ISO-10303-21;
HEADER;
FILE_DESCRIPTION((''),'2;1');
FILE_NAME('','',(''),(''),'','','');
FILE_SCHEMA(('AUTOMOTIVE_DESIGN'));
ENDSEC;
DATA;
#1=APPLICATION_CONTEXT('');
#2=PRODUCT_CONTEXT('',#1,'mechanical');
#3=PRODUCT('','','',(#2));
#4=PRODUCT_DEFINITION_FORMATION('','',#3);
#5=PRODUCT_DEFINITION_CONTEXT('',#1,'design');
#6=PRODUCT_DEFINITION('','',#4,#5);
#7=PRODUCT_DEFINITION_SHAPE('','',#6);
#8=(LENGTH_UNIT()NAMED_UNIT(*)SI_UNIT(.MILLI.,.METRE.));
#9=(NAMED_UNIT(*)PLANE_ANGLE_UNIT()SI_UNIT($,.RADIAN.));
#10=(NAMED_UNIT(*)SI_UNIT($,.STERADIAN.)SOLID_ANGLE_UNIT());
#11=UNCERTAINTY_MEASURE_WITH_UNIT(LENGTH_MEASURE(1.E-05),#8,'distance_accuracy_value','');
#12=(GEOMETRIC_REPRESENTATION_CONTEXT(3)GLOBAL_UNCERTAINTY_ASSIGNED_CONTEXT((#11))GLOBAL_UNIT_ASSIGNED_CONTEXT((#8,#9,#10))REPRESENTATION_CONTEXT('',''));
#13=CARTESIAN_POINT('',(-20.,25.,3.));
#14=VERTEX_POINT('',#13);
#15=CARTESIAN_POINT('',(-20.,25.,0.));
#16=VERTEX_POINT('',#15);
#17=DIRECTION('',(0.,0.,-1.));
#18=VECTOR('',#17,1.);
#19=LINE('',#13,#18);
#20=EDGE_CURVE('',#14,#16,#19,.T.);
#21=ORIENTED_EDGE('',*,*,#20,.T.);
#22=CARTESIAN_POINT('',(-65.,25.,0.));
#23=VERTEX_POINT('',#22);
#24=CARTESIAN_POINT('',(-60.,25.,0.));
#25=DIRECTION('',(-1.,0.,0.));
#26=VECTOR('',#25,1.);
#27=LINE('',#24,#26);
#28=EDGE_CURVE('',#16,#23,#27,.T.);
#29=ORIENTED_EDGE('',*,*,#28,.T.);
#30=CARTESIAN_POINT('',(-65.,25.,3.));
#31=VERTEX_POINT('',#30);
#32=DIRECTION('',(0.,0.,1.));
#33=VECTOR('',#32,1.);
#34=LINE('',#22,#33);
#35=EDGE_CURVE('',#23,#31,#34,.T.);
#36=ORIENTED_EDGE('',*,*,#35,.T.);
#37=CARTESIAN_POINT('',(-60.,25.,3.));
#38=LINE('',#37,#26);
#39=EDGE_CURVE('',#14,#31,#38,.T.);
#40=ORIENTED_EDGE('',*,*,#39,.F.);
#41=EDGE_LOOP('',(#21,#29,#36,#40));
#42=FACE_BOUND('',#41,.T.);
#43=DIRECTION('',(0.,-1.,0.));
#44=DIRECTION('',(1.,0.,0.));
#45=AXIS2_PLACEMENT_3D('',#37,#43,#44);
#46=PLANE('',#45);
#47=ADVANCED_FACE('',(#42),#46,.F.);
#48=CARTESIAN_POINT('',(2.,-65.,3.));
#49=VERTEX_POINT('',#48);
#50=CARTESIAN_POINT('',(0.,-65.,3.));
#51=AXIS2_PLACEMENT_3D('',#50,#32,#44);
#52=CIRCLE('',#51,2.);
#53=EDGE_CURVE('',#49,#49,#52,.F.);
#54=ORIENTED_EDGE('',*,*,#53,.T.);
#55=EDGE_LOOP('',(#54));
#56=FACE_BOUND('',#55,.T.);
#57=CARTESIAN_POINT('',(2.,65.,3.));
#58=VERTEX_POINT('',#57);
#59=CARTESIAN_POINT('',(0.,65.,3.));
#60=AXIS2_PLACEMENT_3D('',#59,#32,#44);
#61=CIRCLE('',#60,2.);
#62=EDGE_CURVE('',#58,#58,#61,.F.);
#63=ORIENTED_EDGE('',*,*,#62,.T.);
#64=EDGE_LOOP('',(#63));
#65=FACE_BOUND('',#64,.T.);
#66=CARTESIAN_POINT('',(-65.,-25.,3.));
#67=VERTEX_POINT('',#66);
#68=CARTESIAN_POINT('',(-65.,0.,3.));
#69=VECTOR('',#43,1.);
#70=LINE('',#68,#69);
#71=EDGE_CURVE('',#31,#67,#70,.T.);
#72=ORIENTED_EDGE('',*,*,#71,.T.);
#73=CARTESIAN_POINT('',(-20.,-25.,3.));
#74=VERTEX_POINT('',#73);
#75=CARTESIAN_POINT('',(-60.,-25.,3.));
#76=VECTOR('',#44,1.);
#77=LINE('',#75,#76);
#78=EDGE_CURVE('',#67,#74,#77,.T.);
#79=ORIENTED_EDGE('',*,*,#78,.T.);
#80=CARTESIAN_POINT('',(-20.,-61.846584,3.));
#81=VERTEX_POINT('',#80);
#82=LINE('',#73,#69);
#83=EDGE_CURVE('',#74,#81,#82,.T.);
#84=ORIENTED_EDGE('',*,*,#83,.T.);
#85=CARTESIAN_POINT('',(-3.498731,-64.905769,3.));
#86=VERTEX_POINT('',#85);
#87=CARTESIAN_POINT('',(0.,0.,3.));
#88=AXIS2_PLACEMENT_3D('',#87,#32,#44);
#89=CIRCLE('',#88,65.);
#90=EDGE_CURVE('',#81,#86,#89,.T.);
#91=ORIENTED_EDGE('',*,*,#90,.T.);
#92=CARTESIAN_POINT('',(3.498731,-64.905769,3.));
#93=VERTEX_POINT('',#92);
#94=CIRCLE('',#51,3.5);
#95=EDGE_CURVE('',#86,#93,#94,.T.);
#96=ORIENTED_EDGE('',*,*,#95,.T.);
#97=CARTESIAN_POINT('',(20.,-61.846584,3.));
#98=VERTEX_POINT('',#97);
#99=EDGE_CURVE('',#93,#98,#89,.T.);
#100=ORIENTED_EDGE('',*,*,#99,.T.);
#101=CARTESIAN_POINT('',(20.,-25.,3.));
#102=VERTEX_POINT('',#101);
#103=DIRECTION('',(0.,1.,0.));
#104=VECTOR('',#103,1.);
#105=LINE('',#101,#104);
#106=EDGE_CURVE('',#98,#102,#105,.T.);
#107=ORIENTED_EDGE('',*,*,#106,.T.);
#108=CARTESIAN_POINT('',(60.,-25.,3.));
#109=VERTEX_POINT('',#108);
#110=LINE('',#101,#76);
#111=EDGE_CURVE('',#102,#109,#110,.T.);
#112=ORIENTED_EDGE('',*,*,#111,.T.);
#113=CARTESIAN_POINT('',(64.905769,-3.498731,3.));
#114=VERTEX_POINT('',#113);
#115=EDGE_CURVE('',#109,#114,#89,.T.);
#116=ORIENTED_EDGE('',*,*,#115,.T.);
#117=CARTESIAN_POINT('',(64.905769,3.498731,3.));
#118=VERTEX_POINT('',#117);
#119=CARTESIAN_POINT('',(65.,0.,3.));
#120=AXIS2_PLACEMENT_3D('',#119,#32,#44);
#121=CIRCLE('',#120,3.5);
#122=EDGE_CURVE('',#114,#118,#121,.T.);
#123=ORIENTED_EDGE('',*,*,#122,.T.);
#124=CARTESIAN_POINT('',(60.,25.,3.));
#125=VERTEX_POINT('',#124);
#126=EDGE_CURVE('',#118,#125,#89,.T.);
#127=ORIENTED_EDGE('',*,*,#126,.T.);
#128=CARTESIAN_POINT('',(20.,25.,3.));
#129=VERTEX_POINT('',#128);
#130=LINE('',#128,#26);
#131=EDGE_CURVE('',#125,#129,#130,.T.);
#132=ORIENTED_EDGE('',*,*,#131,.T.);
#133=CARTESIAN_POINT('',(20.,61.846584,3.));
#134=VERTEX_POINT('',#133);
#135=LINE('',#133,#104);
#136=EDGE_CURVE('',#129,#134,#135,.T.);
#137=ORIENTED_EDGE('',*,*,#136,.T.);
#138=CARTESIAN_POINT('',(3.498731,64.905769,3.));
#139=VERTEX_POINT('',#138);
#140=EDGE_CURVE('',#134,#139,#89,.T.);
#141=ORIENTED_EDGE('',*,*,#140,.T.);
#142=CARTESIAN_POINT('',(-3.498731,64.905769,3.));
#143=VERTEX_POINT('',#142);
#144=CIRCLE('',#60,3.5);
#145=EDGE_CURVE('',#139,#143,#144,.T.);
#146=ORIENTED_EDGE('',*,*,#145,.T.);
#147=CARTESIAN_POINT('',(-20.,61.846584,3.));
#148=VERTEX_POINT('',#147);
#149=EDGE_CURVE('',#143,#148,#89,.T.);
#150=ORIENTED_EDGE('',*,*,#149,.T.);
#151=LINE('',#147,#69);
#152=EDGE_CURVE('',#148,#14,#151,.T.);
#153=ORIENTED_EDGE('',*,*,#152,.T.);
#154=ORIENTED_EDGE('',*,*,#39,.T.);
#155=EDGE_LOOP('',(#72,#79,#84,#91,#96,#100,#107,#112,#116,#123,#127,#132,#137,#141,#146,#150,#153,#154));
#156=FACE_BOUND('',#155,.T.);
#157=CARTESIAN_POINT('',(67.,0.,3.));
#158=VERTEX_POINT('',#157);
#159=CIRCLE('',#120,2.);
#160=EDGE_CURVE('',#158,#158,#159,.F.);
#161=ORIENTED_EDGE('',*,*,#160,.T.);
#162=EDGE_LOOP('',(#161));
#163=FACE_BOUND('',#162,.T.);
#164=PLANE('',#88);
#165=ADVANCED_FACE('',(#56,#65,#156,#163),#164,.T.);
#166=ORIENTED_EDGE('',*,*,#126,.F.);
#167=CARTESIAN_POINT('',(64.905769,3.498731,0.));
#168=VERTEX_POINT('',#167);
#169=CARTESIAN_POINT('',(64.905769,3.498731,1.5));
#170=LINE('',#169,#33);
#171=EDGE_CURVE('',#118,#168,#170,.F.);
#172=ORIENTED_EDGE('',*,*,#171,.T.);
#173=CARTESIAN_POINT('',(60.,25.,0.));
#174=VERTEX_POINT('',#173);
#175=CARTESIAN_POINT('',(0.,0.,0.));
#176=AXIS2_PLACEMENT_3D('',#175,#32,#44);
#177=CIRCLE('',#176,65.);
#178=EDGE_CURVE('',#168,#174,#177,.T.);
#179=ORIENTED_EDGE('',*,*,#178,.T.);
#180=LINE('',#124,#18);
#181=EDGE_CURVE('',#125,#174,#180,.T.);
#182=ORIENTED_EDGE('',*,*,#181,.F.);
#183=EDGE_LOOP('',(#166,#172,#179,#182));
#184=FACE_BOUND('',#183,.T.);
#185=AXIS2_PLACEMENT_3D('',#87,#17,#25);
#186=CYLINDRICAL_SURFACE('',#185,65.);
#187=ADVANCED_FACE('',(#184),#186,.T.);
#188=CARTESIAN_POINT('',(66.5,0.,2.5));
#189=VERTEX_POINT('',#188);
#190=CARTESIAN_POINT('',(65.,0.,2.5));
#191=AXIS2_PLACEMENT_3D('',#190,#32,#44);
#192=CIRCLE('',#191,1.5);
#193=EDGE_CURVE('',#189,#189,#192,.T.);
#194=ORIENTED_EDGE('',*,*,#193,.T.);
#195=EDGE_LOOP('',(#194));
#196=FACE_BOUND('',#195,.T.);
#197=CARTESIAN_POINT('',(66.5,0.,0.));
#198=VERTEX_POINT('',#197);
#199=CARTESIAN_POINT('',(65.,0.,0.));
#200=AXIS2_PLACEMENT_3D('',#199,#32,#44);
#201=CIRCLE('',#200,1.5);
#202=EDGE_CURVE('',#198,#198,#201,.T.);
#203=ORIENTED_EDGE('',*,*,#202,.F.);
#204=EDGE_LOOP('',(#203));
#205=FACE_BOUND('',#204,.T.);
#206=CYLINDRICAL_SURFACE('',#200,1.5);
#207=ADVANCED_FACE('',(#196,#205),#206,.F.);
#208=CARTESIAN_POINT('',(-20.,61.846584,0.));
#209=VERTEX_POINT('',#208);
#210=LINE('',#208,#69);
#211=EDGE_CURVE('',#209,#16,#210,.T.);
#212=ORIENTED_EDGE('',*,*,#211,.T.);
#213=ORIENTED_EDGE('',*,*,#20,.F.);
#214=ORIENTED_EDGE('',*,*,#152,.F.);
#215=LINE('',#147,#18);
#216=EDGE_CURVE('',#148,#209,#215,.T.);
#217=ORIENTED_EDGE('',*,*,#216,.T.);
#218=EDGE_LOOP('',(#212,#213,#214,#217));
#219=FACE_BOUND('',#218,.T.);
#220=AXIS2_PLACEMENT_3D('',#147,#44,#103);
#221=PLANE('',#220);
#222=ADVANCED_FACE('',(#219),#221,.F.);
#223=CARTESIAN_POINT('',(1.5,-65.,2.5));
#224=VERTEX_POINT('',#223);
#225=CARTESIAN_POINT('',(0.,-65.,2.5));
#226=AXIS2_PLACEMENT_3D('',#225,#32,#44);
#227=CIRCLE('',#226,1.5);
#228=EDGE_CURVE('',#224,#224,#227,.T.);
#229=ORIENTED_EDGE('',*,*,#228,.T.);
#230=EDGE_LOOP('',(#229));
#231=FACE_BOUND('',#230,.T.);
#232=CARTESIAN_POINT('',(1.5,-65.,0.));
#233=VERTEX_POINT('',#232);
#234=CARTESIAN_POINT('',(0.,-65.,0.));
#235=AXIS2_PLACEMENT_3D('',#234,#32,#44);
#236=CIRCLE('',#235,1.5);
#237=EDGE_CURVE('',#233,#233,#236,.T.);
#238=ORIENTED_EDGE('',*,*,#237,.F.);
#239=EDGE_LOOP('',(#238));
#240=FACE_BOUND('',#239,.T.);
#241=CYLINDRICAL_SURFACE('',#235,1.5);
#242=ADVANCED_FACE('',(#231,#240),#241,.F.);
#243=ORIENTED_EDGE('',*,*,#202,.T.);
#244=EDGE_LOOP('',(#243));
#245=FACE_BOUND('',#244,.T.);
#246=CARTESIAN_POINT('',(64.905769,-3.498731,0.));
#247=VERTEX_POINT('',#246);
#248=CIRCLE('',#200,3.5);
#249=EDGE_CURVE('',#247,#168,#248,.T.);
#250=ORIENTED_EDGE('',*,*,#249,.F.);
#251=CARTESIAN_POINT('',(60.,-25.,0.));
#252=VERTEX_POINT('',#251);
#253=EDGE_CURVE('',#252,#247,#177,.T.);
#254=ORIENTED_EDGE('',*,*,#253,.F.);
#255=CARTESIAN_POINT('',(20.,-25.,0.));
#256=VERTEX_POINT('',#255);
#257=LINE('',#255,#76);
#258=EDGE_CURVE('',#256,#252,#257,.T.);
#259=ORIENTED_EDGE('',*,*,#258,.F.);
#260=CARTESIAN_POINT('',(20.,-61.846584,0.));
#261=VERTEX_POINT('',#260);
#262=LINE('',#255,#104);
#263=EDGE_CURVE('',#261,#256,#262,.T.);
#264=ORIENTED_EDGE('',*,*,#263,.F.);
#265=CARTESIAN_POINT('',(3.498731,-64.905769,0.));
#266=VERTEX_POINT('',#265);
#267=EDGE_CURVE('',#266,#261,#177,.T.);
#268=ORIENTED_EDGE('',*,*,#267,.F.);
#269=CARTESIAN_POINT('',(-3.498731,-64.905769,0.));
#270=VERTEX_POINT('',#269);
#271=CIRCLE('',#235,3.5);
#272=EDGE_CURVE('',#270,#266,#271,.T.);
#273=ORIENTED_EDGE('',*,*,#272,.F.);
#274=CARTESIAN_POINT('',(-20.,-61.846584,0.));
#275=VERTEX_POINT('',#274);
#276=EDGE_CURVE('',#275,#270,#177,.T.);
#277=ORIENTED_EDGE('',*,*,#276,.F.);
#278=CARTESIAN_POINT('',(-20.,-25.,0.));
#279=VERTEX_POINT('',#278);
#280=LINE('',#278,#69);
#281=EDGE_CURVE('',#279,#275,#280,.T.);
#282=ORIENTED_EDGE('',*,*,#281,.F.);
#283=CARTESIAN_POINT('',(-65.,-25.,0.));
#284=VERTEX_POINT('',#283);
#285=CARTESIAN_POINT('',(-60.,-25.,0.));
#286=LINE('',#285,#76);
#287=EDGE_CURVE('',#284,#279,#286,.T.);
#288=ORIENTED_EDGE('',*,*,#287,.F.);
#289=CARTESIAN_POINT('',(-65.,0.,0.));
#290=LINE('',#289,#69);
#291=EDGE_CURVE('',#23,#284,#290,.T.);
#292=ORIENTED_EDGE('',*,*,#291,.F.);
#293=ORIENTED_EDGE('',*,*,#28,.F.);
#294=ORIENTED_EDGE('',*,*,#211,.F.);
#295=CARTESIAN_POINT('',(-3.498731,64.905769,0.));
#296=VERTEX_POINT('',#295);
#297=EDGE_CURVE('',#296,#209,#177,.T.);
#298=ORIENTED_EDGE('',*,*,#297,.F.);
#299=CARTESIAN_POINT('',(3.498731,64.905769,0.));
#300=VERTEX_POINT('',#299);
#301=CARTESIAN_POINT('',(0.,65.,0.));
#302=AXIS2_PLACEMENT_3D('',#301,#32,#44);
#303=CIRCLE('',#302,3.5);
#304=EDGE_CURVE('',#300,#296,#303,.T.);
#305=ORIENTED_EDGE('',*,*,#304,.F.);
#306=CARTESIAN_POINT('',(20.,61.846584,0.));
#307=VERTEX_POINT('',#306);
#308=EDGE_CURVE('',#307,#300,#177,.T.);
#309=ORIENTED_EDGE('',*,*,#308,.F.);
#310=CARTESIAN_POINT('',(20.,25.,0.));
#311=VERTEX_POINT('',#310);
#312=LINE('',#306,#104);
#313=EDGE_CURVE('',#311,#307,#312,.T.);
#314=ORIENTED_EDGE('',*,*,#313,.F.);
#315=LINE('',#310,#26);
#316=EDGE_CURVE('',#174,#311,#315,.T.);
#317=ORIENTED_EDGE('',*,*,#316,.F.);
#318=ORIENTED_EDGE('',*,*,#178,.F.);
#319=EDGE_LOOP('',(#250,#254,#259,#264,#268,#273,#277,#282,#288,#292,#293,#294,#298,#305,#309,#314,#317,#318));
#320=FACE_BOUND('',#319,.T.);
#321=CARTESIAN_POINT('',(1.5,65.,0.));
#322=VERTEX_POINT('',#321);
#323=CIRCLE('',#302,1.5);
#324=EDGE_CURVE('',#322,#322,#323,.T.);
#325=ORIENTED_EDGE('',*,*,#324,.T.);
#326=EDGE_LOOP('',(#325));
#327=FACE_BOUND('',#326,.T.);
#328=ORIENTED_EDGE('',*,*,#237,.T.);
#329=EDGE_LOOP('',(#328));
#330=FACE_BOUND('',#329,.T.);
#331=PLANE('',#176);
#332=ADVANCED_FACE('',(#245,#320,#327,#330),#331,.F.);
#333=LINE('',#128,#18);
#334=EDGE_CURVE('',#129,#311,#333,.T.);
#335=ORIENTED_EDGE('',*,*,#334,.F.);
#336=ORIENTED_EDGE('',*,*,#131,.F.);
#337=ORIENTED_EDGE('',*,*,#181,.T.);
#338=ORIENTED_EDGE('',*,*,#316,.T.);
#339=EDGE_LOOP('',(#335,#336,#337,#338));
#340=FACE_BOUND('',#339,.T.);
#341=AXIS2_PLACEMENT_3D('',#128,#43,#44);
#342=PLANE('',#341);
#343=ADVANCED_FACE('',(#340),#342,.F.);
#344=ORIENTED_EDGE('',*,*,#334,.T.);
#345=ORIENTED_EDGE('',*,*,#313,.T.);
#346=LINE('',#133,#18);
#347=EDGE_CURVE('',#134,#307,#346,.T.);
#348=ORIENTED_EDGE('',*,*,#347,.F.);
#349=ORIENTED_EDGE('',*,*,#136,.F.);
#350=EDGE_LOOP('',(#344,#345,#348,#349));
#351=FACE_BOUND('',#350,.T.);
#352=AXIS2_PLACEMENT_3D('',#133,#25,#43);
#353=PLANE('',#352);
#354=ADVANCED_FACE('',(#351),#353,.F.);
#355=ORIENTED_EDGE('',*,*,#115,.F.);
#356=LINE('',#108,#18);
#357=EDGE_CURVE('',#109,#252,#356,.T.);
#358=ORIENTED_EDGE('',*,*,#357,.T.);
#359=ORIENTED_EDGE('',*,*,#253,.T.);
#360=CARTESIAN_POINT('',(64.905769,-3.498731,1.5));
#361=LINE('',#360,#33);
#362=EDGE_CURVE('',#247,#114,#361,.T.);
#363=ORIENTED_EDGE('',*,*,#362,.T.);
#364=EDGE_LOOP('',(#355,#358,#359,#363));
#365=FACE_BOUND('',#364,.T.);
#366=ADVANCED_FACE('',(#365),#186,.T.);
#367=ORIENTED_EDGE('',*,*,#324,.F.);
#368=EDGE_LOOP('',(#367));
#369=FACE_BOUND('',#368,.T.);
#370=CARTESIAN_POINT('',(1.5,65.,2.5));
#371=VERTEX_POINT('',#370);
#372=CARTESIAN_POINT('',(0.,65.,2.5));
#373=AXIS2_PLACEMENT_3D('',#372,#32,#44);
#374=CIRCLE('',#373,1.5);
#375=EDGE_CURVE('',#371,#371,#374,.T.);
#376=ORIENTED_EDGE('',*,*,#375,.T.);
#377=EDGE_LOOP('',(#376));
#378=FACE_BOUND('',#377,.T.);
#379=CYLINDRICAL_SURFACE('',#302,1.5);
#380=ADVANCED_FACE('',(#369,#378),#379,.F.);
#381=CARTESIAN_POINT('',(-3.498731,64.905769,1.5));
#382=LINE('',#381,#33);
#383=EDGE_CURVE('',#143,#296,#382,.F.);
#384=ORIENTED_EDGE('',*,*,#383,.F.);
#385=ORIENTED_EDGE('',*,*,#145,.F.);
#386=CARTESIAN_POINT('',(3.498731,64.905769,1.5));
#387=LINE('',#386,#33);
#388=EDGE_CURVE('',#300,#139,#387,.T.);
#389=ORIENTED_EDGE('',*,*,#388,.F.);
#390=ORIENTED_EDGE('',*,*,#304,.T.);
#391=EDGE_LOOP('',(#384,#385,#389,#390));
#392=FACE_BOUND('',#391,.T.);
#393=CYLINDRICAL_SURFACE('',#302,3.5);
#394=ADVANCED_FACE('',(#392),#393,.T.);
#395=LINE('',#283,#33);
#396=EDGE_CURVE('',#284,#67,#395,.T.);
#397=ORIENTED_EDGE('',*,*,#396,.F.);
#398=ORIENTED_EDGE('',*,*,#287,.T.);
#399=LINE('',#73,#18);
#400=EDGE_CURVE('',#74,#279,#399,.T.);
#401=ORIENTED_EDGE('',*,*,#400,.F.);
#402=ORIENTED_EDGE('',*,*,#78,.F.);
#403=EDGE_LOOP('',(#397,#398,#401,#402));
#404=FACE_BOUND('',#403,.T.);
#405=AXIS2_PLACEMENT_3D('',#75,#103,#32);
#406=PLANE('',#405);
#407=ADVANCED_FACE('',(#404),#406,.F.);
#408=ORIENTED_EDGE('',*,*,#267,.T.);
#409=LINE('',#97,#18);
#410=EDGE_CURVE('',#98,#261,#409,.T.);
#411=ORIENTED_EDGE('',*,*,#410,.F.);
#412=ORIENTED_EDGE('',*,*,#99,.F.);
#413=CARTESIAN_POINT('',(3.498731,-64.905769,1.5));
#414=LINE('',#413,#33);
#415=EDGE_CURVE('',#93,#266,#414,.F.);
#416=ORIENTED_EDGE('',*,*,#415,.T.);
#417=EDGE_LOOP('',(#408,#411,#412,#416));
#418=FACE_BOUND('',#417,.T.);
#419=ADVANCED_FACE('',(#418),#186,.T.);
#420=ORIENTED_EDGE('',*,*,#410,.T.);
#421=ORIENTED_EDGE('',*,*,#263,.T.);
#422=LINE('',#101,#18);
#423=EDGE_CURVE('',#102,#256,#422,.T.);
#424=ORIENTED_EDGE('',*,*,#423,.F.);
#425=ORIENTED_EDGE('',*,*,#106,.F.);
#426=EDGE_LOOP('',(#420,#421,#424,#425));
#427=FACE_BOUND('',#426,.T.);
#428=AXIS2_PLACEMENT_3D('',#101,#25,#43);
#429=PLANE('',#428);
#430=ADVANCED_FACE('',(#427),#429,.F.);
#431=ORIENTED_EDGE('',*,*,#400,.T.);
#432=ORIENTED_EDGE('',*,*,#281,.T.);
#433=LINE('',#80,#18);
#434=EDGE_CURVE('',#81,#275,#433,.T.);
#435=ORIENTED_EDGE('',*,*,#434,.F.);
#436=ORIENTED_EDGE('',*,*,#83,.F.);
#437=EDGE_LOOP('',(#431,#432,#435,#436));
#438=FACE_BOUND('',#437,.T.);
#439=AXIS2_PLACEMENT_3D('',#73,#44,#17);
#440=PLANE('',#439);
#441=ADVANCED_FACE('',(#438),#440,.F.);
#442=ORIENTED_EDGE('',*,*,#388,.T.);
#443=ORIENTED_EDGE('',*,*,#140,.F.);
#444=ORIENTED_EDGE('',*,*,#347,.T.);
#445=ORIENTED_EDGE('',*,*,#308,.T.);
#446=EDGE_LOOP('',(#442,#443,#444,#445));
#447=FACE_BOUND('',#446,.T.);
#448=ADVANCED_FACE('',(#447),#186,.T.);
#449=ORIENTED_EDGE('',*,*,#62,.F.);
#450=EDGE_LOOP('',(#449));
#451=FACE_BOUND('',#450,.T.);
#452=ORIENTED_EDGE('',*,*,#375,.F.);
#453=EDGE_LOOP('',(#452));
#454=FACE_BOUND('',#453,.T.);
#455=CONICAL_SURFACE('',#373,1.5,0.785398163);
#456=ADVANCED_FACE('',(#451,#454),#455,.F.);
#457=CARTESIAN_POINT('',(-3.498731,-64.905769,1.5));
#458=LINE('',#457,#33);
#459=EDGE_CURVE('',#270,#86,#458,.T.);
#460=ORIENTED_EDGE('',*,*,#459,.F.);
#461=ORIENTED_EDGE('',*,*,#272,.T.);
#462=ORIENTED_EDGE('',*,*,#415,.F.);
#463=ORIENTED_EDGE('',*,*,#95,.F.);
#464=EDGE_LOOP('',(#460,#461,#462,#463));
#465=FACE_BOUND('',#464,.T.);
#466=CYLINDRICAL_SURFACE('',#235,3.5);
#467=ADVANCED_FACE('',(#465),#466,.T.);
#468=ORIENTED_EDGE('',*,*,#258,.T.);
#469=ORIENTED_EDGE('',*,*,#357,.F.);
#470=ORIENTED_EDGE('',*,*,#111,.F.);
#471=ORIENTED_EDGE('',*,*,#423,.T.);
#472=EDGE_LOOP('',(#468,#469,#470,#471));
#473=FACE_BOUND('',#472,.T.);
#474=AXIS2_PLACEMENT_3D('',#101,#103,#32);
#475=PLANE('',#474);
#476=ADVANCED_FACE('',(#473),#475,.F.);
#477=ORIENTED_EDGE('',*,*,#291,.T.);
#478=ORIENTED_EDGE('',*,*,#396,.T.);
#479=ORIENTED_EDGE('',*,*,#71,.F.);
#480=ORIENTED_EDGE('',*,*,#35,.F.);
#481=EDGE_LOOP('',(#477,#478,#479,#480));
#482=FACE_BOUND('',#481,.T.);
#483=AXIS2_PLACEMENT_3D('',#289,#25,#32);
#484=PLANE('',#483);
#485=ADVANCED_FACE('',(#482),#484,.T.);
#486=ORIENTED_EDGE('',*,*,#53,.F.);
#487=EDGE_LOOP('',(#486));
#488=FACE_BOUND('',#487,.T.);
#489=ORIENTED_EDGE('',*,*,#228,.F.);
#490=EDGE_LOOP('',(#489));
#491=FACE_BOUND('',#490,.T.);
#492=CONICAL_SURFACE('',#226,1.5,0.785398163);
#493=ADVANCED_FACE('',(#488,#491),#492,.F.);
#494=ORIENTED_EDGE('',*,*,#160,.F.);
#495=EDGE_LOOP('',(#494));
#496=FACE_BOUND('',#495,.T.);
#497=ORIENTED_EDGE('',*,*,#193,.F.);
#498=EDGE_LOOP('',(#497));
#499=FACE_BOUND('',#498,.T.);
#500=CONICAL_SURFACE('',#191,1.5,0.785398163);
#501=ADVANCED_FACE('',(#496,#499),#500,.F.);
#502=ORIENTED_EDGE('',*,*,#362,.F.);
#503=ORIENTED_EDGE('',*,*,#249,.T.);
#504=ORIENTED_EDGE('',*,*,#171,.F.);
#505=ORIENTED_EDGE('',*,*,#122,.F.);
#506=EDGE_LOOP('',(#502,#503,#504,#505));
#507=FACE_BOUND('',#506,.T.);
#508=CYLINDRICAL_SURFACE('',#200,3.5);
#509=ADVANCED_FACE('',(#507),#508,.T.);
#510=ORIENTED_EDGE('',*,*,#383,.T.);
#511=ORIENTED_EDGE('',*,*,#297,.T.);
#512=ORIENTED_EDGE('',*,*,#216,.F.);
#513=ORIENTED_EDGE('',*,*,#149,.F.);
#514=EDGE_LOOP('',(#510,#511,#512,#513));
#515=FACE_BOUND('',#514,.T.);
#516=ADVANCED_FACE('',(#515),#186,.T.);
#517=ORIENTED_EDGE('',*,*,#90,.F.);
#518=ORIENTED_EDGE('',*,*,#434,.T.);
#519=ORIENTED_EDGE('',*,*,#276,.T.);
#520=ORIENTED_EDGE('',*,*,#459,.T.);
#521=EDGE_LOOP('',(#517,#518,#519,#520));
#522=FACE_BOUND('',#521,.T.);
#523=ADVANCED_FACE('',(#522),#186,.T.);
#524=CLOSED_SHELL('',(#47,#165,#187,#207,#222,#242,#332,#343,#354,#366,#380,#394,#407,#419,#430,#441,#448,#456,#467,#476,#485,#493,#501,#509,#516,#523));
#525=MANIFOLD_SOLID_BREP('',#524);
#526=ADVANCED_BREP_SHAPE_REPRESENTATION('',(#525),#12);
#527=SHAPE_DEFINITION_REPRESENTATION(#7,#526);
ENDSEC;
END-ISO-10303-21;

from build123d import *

# Parameters (mm, degrees)
EXTRUDE_1_DEPTH     = 3
SKETCH_2_R          = 3.5
EXTRUDE_2_DEPTH     = 3
SKETCH_3_R          = 1.5
CUT_EXTRUDE_1_DEPTH = 3
CHAMFER_1_SIZE      = 0.5
EXTRUDE_START       = -3
EXTRUDE_4_DEPTH     = 3


with BuildPart() as part:
    # 草图1 → 凸台-拉伸1 (new body)
    with BuildSketch(Plane.XY):
        with BuildLine():
            Line((20, -25), (20, -61.846584384))
            ThreePointArc((20, -61.846584384), (0, -65), (-20, -61.846584384))
            Line((-20, -61.846584384), (-20, -25))
            Line((-20, -25), (-60, -25))
            ThreePointArc((-60, -25), (-65, 0), (-60, 25))
            Line((-60, 25), (-20, 25))
            Line((-20, 25), (-20, 61.846584384))
            ThreePointArc((-20, 61.846584384), (0, 65), (20, 61.846584384))
            Line((20, 61.846584384), (20, 25))
            Line((20, 25), (60, 25))
            ThreePointArc((60, 25), (65, 0), (60, -25))
            Line((60, -25), (20, -25))
        make_face()
    extrude(amount=EXTRUDE_1_DEPTH)

    # 草图2 → 凸台-拉伸2 (add)
    with BuildSketch(Plane.XY.offset(3)):
        with Locations((65, 0)):
            Circle(SKETCH_2_R)
        with Locations((0, 65)):
            Circle(SKETCH_2_R)
        with Locations((0, -65)):
            Circle(SKETCH_2_R)
    extrude(amount=-EXTRUDE_2_DEPTH)

    # 草图3 → 切除-拉伸1 (cut)
    with BuildSketch(Plane.XY.offset(3)):
        with Locations((0, 65)):
            Circle(SKETCH_3_R)
        with Locations((65, 0)):
            Circle(SKETCH_3_R)
        with Locations((0, -65)):
            Circle(SKETCH_3_R)
    extrude(amount=-CUT_EXTRUDE_1_DEPTH, mode=Mode.SUBTRACT)

    # 倒角1
    chamfer_1_edges = [part.edges().sort_by_distance(p)[0] for p in [
        (-1.5, 65, 3),
        (63.5, 0, 3),
        (-1.5, -65, 3),
    ]]
    chamfer(chamfer_1_edges, length=CHAMFER_1_SIZE)

    # 草图4 → 凸台-拉伸4 (add)
    with BuildSketch(Plane.XY.offset(3).offset(EXTRUDE_START)):
        with BuildLine():
            ThreePointArc((-60, -25), (-63.73774392, -12.747548784), (-65, 0))
            Line((-65, 0), (-65, -25))
            Line((-65, -25), (-60, -25))
        make_face()
        with BuildLine():
            ThreePointArc((-65, 0), (-63.73774392, 12.747548784), (-60, 25))
            Line((-60, 25), (-65, 25))
            Line((-65, 25), (-65, 0))
        make_face()
    extrude(amount=EXTRUDE_4_DEPTH)


solid = part.part
